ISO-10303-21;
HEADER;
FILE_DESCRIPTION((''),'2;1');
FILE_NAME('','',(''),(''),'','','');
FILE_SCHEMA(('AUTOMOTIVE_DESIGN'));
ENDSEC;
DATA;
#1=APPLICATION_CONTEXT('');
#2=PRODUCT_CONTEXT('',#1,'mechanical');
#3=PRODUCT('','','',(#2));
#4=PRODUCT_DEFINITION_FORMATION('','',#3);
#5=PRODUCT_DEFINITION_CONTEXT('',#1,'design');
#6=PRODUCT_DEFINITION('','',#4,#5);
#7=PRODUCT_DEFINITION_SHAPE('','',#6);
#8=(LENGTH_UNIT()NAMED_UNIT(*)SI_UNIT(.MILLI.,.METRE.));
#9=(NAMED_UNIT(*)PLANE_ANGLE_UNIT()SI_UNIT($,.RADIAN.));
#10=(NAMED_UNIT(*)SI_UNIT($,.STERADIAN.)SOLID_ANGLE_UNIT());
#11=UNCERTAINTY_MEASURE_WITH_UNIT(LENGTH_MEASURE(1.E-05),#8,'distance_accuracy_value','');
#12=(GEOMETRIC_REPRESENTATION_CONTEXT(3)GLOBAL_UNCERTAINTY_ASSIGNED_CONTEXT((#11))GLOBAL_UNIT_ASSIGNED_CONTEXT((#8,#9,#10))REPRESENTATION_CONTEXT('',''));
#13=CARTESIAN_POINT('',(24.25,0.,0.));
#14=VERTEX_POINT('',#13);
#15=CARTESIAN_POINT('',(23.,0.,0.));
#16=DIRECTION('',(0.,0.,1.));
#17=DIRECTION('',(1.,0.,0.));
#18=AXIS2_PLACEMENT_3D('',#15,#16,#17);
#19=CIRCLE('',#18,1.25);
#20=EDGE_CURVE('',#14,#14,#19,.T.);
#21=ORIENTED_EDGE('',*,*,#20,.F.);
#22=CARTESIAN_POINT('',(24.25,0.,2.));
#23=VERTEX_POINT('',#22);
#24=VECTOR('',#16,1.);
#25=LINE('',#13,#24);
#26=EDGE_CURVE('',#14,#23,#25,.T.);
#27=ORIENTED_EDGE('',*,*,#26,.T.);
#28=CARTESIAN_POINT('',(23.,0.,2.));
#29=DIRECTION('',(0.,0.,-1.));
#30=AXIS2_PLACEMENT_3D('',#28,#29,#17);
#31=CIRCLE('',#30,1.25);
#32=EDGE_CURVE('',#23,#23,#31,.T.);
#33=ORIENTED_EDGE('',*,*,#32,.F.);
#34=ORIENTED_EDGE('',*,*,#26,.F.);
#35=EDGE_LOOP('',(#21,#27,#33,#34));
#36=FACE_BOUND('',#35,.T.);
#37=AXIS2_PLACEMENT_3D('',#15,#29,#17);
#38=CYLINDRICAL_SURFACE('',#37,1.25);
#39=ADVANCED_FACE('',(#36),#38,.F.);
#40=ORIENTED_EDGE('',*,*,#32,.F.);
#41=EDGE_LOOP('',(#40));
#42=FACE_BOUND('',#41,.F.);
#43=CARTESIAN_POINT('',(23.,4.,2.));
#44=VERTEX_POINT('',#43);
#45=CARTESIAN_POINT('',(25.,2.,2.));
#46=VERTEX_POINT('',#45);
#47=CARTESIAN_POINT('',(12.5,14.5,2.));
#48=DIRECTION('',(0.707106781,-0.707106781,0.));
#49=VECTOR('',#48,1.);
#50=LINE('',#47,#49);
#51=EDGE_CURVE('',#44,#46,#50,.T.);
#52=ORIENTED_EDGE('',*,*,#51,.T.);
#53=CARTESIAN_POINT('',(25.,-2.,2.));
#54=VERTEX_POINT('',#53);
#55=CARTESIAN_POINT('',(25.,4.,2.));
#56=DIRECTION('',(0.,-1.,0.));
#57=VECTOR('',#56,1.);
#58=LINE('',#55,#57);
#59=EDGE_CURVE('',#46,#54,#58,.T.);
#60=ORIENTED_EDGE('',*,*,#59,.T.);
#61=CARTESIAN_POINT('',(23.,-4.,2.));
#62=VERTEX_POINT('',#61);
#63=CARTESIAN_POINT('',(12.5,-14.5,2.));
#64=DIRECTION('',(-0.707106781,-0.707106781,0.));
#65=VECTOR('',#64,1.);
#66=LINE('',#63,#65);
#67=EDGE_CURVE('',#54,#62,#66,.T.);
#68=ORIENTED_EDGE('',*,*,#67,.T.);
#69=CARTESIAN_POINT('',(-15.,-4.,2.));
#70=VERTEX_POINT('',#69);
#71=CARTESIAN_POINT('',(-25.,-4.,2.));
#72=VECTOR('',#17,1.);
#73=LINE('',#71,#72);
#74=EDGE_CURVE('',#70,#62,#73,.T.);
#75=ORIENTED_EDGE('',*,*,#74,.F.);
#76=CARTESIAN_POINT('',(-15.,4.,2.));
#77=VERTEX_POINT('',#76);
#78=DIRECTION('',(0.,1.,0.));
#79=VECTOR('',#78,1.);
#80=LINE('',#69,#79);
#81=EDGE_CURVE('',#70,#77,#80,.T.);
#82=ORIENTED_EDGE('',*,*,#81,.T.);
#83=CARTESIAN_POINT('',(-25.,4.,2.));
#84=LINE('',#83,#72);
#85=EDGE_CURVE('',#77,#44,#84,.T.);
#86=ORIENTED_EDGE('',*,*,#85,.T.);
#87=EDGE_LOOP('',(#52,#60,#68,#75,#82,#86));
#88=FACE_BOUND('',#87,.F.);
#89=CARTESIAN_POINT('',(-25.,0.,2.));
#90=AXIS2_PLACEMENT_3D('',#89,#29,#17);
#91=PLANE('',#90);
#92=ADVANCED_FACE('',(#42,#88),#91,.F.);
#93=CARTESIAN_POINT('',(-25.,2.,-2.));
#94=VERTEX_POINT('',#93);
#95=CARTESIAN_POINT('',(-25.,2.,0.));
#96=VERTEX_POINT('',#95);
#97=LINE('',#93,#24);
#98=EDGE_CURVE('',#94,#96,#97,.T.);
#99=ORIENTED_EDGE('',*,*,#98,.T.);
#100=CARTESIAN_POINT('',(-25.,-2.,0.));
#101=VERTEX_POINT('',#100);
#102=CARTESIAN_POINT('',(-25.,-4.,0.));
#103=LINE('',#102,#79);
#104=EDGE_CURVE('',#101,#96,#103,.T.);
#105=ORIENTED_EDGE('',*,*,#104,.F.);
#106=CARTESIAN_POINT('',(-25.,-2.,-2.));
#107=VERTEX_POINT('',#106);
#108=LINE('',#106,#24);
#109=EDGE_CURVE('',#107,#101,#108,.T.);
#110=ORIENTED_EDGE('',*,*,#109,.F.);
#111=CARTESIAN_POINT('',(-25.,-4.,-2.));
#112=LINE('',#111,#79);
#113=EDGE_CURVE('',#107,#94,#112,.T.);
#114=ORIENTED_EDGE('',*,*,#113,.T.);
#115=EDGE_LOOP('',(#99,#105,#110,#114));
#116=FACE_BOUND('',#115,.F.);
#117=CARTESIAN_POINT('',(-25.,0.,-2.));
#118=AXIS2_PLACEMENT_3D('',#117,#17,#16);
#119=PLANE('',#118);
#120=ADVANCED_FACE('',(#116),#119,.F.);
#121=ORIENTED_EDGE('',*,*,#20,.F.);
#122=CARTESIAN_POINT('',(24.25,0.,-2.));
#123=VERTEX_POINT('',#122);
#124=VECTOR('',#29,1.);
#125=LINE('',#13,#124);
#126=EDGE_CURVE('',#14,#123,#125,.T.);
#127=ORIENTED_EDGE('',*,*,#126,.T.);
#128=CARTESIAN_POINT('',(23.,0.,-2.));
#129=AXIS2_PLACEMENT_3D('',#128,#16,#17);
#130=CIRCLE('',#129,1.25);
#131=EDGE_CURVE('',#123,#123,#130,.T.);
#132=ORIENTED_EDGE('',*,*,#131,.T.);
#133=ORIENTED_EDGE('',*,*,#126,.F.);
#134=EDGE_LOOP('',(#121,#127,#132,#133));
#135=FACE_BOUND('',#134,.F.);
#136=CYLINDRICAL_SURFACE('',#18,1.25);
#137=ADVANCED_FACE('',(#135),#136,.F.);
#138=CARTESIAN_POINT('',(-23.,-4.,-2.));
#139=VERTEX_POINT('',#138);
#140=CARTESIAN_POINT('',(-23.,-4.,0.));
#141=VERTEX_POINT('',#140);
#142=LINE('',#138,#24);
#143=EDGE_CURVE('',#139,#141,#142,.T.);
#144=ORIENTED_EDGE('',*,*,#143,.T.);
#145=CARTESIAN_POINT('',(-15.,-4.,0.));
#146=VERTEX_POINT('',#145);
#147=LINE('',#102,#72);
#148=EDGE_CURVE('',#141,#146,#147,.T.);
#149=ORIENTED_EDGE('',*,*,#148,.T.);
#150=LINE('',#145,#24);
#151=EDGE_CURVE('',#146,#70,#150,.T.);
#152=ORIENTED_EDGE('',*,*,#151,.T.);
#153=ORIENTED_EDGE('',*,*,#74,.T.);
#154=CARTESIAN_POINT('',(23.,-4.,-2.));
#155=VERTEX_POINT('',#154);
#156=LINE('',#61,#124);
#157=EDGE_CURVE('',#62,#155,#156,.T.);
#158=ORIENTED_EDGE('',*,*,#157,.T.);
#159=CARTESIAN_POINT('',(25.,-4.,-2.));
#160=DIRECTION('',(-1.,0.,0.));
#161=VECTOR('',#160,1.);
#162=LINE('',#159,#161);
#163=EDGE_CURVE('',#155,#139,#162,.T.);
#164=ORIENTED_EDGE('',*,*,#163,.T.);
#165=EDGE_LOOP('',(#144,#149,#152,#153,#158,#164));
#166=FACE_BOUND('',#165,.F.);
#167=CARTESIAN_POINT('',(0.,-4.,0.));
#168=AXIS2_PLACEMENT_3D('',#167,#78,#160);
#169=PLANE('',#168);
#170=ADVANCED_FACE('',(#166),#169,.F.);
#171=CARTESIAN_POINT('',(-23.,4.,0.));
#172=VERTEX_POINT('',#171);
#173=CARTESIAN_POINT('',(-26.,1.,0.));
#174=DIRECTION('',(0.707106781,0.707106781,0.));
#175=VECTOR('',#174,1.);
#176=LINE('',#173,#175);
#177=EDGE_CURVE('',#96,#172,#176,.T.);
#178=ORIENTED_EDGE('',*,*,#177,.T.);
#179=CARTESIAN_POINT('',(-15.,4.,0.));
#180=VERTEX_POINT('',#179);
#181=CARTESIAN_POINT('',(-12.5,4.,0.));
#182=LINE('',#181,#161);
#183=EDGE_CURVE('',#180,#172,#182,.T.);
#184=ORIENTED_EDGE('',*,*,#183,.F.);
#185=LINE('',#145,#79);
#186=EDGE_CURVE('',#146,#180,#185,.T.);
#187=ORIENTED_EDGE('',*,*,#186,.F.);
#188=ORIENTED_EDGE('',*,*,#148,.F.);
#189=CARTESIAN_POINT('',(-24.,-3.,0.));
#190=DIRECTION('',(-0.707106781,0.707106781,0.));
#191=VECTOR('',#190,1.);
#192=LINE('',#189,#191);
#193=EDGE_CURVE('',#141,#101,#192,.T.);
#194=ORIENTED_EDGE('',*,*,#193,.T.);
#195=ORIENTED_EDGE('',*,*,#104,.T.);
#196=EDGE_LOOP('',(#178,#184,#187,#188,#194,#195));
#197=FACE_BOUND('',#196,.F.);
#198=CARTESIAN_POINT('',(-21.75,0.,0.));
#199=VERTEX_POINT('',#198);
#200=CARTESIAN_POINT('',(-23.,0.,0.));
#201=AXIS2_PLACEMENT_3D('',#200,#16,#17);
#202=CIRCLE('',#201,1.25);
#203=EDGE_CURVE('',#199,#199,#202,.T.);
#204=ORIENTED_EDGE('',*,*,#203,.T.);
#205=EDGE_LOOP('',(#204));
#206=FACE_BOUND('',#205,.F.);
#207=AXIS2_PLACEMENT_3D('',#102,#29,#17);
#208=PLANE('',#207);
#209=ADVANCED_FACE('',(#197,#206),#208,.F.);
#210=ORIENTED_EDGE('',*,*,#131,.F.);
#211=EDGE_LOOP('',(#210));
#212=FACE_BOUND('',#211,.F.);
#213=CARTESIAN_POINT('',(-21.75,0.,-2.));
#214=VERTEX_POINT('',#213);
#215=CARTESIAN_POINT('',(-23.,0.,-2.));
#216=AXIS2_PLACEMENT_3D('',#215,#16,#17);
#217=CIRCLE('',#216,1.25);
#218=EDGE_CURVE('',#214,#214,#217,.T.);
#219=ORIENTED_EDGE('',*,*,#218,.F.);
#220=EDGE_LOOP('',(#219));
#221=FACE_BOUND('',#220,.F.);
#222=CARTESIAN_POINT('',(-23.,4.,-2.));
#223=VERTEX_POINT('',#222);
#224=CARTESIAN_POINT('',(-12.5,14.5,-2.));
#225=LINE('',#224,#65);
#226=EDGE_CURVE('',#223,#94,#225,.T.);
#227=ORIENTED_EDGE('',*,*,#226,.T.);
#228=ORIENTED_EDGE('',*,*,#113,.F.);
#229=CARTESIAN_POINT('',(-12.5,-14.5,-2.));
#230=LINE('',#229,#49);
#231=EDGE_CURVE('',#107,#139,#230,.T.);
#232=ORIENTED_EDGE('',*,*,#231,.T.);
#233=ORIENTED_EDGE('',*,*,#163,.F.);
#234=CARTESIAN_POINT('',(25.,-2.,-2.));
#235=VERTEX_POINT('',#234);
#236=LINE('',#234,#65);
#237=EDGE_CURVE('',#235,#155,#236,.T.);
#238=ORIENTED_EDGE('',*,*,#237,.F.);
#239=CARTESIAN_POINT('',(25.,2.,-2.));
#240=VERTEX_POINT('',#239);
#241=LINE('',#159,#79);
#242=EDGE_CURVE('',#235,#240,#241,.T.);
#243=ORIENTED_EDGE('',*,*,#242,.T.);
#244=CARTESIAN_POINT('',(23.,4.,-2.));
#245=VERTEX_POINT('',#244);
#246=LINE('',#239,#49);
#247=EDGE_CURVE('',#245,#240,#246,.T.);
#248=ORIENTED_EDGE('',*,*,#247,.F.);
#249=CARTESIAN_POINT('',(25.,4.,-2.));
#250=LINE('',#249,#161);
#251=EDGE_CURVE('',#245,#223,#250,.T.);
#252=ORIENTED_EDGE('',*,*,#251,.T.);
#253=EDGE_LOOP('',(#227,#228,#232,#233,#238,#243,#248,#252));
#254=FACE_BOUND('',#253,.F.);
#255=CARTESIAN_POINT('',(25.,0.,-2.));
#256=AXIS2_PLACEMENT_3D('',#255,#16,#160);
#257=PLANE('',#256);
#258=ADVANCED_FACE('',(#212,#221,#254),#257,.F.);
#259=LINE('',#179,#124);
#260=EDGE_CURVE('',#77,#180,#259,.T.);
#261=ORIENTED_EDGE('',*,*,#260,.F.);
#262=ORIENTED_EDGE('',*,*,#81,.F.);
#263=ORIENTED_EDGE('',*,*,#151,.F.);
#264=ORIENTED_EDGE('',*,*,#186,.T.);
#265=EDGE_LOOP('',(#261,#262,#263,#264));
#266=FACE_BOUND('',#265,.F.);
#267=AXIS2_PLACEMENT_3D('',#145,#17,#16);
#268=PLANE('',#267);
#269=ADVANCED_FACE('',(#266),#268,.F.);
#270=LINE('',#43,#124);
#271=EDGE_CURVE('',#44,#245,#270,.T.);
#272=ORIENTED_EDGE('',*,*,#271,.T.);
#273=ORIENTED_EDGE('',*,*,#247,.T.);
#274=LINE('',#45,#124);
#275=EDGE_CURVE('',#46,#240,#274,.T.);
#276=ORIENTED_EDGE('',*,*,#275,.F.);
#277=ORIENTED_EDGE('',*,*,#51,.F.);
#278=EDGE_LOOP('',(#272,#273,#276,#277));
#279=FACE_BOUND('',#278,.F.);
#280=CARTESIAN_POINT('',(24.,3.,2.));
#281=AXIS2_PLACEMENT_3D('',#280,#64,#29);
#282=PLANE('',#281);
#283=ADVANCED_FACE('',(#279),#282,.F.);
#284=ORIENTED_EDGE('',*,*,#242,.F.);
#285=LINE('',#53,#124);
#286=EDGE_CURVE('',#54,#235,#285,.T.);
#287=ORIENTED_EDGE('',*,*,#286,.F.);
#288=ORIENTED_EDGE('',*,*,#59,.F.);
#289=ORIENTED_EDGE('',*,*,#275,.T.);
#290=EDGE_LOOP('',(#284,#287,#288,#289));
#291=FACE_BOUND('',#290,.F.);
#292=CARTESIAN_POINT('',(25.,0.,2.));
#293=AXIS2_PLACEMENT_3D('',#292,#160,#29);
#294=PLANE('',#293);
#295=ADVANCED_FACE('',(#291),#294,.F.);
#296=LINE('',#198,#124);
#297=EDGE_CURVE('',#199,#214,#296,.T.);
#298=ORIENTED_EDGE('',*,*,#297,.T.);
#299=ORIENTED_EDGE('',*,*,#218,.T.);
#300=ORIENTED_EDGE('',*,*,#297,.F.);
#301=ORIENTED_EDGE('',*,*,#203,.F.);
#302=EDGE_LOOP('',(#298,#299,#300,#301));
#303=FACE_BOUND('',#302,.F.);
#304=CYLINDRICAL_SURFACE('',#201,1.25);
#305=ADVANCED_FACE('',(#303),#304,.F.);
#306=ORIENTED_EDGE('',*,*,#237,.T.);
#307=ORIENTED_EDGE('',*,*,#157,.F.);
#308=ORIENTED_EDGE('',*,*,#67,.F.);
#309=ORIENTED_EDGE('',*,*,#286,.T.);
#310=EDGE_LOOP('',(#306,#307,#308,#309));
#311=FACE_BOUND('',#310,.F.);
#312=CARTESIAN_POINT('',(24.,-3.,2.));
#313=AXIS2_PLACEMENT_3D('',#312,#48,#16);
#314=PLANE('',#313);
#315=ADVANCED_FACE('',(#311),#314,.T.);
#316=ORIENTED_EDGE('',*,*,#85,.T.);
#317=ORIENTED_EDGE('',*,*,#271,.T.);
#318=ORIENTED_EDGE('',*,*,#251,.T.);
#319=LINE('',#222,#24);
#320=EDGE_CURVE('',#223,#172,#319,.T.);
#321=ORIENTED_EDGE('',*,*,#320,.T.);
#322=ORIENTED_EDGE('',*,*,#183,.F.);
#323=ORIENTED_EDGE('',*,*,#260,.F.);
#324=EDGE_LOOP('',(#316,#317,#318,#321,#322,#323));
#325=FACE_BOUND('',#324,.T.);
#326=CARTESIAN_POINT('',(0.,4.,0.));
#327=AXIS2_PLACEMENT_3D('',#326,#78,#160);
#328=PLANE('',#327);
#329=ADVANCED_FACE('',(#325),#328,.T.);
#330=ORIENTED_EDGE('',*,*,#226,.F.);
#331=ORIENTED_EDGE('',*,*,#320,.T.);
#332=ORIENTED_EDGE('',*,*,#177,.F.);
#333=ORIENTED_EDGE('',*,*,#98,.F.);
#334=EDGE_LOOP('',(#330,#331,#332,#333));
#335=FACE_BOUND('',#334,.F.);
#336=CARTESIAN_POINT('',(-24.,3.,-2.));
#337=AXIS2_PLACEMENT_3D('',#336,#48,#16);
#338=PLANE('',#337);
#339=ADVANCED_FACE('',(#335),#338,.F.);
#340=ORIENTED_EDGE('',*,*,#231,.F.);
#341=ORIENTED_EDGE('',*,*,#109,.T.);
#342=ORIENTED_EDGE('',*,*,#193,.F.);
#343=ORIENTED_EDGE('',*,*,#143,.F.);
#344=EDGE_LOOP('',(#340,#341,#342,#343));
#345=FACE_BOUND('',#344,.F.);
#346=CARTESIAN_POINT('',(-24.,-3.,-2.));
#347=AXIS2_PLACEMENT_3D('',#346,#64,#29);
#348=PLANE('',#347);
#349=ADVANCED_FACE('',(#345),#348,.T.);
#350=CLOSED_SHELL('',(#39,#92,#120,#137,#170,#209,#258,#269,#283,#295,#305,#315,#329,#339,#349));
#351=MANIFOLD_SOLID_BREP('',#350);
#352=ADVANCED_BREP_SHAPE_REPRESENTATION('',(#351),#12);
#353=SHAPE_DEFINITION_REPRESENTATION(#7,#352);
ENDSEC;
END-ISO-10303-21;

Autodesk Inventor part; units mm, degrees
ref_plane "YZ Plane" through (0, 0, 0) normal (1, 0, 0) x (0, 1, 0)
ref_plane "XZ Plane" through (0, 0, 0) normal (0, 1, 0) x (-1, 0, 0)
ref_plane "XY Plane" through (0, 0, 0) normal (0, 0, 1) x (1, 0, 0)
sketch "スケッチ1" plane through (0, 0, 0) normal (0, 1, 0) x (-1, 0, 0)
  line L0 (-25, -2) -> (25, -2)
  line L1 (25, -2) -> (25, 2)
  line L2 (25, 2) -> (-25, 2)
  line L3 (-25, 2) -> (-25, -2)
  line L4 (-25, -2) -> (25, 2) construction
  line L5 (25, -2) -> (-25, 2) construction
  point P0 (0, 0)
  dimension "d0" = 50
  dimension "d1" = 4
extrude "押し出し1" add sketch "スケッチ1" along normal mid plane 8
sketch "スケッチ2" plane through (0, 0, 0) normal (0, 0, 1) x (1, 0, 0)
  circle A0 centre (-23, 0) radius 1.25
  line L0 (-25, -4) -> (-25, 4) projected
  circle A1 centre (23, 0) radius 1.25
  line L1 (25, -4) -> (25, 4) projected
  point P0 (0, 0)
  dimension "d4" = 2.5
  dimension "d5" = 2
  dimension "d14" = 2.5
  dimension "d15" = 2
extrude "押し出し2" cut sketch "スケッチ2" along normal mid plane 5 contours A0
chamfer "面取り1" distance 2 angle 45 1 edges at (-25, 4, 0)
chamfer "面取り2" distance 2 angle 45 1 edges at (-25, -4, 0)
sketch "スケッチ3" plane through (0, 0, 0) normal (0, 0, 1) x (1, 0, 0)
  circle A0 centre (23, 0) radius 1.25
  line L0 (25, -4) -> (25, 4) projected
  point P0 (0, 0)
  dimension "d16" = 2.5
  dimension "d17" = 2
extrude "押し出し3" cut sketch "スケッチ3" along normal mid plane 5
chamfer "面取り3" distance 2 angle 45 1 edges at (25, 4, 0)
chamfer "面取り4" distance 2 angle 45 1 edges at (25, -4, 0)
sketch "スケッチ4" plane through (0, -4, 0) normal (0, -1, 0) x (1, 0, 0)
  line L0 (-25, -2) -> (-25, 2) projected
  line L1 (-25, 0) -> (-15, 0)
  line L2 (-15, 0) -> (-15, 2)
  line L3 (-15, 2) -> (-25, 2)
  line L4 (-25, 2) -> (-25, 0)
  point P0 (0, 0)
  dimension "d26" = 10
extrude "押し出し4" cut sketch "スケッチ4" against normal blind 10
properties part number "promo_arm1"
